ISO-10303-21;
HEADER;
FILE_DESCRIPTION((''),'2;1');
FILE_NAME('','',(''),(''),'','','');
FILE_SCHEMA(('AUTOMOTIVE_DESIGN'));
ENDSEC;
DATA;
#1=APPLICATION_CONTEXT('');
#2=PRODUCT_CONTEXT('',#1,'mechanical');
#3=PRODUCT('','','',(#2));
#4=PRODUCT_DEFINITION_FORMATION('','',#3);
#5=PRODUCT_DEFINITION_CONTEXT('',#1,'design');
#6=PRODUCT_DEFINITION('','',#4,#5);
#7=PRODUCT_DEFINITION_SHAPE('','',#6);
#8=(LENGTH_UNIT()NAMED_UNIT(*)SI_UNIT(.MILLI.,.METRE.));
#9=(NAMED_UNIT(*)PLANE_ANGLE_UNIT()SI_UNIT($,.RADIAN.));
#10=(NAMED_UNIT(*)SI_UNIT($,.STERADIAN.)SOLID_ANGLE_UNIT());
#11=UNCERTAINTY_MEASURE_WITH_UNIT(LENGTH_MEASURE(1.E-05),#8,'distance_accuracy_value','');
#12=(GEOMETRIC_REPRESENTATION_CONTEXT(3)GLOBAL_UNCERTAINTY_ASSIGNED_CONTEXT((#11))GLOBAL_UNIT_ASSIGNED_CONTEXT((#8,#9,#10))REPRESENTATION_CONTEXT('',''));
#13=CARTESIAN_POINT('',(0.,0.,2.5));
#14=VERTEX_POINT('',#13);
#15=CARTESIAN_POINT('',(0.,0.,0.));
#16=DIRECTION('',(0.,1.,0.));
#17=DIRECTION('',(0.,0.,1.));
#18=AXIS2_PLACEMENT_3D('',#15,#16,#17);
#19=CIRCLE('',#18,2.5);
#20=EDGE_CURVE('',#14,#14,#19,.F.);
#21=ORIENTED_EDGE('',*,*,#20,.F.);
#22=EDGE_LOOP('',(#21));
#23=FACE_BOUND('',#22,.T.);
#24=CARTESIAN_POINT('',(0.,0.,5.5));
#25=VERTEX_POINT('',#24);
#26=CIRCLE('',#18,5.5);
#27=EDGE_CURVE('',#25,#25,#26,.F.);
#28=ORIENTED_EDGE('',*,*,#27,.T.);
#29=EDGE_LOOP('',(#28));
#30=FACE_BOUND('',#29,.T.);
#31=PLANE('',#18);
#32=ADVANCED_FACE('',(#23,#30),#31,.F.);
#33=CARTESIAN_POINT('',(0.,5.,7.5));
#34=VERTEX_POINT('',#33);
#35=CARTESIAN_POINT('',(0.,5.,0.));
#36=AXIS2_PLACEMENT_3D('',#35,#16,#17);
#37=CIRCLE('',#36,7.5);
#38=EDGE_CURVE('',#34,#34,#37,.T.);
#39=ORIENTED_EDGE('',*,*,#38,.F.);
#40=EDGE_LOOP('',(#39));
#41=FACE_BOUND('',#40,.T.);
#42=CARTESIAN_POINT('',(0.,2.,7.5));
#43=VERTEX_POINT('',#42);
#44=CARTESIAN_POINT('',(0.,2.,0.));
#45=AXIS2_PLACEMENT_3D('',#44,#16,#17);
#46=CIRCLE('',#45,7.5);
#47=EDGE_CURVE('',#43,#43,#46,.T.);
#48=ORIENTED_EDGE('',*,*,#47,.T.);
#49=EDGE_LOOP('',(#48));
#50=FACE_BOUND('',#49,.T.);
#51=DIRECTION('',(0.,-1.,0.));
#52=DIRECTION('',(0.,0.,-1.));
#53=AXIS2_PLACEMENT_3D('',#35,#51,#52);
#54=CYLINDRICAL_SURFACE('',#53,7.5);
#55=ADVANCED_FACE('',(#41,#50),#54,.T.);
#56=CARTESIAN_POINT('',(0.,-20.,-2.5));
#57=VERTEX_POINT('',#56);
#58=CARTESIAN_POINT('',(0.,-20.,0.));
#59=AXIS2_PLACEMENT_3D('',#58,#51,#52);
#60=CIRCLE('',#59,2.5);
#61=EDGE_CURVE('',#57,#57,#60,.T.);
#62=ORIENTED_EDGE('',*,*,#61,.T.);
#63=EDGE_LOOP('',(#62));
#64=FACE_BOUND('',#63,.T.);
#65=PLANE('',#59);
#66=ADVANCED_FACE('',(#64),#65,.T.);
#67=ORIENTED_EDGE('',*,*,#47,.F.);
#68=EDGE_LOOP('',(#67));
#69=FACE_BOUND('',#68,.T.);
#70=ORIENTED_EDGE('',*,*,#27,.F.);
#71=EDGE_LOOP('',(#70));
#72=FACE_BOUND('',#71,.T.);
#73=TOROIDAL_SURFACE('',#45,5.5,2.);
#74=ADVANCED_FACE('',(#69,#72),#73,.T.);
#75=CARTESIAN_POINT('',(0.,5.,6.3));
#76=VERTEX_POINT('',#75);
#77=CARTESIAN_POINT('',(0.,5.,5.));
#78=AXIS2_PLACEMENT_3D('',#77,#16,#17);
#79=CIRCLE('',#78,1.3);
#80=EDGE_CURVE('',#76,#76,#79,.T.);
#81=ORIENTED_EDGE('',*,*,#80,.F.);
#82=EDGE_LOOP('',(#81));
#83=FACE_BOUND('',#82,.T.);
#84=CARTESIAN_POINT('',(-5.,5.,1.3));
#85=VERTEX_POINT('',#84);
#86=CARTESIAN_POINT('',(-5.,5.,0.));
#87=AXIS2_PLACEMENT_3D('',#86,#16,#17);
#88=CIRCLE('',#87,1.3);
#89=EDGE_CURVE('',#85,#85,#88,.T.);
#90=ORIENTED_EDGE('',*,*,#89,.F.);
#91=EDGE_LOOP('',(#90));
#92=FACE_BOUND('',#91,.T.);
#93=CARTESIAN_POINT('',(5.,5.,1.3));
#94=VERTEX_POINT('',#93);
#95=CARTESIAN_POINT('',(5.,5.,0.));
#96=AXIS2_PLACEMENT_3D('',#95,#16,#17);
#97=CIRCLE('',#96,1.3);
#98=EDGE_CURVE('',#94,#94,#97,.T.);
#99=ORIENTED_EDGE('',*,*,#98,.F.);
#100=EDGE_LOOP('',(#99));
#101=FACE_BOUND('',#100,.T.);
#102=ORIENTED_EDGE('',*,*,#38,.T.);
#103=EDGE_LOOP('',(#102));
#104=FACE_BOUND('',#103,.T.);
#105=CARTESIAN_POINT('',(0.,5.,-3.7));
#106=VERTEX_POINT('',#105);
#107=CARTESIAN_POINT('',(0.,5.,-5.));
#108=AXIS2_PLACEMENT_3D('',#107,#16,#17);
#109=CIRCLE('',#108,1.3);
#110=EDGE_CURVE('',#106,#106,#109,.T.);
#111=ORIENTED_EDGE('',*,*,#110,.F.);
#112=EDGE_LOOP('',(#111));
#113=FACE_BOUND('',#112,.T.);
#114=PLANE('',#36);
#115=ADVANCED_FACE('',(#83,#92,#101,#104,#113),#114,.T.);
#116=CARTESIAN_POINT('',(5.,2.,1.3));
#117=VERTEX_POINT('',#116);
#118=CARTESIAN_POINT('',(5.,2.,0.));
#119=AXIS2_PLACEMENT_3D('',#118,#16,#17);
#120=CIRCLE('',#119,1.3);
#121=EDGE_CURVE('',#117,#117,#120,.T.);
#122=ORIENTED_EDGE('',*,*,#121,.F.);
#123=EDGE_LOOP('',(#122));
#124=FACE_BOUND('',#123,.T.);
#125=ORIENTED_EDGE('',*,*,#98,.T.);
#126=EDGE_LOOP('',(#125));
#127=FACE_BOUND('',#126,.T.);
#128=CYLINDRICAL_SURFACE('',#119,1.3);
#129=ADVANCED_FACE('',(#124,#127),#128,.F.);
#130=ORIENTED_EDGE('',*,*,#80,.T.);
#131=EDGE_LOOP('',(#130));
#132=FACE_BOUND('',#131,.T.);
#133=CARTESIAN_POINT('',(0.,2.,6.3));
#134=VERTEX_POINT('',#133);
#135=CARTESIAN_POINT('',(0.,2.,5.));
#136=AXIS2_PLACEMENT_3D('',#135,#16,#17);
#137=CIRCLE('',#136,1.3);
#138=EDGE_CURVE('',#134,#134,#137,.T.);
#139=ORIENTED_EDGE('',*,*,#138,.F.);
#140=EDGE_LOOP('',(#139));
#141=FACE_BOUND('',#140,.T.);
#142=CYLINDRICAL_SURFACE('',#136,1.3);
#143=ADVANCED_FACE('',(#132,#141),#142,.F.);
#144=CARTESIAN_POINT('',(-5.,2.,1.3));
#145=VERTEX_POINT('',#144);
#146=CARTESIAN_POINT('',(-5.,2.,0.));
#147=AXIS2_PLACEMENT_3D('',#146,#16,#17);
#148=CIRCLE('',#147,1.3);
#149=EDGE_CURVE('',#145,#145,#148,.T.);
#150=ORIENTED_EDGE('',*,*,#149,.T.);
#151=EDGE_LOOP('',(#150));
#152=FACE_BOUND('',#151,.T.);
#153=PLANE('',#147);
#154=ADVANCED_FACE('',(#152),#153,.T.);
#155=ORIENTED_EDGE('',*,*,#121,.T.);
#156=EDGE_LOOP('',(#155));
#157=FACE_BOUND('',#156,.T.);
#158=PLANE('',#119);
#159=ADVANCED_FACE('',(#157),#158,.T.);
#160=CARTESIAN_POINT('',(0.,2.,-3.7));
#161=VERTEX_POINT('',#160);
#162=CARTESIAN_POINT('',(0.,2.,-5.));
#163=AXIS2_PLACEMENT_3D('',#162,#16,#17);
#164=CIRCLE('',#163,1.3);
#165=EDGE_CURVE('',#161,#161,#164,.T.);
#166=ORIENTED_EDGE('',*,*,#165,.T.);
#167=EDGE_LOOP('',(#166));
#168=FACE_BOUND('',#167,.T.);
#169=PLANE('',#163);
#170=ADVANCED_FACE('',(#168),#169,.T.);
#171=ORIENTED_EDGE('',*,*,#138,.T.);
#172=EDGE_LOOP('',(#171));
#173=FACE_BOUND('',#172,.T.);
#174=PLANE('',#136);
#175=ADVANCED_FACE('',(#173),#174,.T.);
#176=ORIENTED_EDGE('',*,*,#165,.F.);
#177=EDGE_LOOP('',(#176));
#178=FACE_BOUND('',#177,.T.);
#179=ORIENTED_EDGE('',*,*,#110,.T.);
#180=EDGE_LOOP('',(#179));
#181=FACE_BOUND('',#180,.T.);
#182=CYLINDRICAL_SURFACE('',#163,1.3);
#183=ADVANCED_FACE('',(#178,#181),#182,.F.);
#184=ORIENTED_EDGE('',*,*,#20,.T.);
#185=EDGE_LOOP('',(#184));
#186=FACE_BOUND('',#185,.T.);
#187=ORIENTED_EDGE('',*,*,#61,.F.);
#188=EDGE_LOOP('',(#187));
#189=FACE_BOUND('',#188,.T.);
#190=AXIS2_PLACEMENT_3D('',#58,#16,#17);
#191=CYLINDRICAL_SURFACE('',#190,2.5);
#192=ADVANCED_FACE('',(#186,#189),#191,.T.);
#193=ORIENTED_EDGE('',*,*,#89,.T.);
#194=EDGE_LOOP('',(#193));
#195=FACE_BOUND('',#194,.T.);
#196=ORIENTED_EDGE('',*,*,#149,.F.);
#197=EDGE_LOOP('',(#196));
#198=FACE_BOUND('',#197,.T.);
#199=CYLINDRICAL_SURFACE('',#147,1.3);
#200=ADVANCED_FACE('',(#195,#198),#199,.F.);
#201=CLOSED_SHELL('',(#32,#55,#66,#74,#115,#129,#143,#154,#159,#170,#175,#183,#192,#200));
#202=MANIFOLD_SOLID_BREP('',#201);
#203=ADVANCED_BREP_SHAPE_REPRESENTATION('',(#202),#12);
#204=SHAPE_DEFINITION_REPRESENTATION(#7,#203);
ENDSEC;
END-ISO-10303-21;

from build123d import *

# Parameters (mm, degrees)
SKETCH1_R           = 7.5
BOSS_EXTRUDE1_DEPTH = 5
SKETCH2_R           = 1.3
CUT_EXTRUDE1_DEPTH  = 3
FILLET1_R           = 2
SKETCH3_R           = 2.5
BOSS_EXTRUDE2_DEPTH = 20


with BuildPart() as part:
    # Sketch1 → Boss-Extrude1 (new body)
    with BuildSketch(Plane(origin=(0, 0, 0), x_dir=(1, 0, 0), z_dir=(0, 1, 0))):
        with Locations(Location((0, 0, 0), (0, 0, 270))):
            Circle(SKETCH1_R)
    extrude(amount=BOSS_EXTRUDE1_DEPTH)

    # Sketch2 → Cut-Extrude1 (cut)
    with BuildSketch(Plane(origin=(0, 5, 0), x_dir=(1, 0, 0), z_dir=(0, 1, 0))):
        with Locations(Location((0, 5, 0), (0, 0, 270))):
            Circle(SKETCH2_R)
        with Locations(Location((5, 0, 0), (0, 0, 270))):
            Circle(SKETCH2_R)
        with Locations(Location((0, -5, 0), (0, 0, 270))):
            Circle(SKETCH2_R)
        with Locations(Location((-5, 0, 0), (0, 0, 270))):
            Circle(SKETCH2_R)
    extrude(amount=-CUT_EXTRUDE1_DEPTH, mode=Mode.SUBTRACT)

    # Fillet1
    fillet1_edges = [part.edges().sort_by_distance(p)[0] for p in [
        (0, 0, -7.5),
    ]]
    fillet(fillet1_edges, radius=FILLET1_R)

    # Sketch3 → Boss-Extrude2 (add)
    with BuildSketch(Plane.XZ):
        with Locations(Location((0, 0, 0), (0, 0, 90))):
            Circle(SKETCH3_R)
    extrude(amount=BOSS_EXTRUDE2_DEPTH)


solid = part.part
